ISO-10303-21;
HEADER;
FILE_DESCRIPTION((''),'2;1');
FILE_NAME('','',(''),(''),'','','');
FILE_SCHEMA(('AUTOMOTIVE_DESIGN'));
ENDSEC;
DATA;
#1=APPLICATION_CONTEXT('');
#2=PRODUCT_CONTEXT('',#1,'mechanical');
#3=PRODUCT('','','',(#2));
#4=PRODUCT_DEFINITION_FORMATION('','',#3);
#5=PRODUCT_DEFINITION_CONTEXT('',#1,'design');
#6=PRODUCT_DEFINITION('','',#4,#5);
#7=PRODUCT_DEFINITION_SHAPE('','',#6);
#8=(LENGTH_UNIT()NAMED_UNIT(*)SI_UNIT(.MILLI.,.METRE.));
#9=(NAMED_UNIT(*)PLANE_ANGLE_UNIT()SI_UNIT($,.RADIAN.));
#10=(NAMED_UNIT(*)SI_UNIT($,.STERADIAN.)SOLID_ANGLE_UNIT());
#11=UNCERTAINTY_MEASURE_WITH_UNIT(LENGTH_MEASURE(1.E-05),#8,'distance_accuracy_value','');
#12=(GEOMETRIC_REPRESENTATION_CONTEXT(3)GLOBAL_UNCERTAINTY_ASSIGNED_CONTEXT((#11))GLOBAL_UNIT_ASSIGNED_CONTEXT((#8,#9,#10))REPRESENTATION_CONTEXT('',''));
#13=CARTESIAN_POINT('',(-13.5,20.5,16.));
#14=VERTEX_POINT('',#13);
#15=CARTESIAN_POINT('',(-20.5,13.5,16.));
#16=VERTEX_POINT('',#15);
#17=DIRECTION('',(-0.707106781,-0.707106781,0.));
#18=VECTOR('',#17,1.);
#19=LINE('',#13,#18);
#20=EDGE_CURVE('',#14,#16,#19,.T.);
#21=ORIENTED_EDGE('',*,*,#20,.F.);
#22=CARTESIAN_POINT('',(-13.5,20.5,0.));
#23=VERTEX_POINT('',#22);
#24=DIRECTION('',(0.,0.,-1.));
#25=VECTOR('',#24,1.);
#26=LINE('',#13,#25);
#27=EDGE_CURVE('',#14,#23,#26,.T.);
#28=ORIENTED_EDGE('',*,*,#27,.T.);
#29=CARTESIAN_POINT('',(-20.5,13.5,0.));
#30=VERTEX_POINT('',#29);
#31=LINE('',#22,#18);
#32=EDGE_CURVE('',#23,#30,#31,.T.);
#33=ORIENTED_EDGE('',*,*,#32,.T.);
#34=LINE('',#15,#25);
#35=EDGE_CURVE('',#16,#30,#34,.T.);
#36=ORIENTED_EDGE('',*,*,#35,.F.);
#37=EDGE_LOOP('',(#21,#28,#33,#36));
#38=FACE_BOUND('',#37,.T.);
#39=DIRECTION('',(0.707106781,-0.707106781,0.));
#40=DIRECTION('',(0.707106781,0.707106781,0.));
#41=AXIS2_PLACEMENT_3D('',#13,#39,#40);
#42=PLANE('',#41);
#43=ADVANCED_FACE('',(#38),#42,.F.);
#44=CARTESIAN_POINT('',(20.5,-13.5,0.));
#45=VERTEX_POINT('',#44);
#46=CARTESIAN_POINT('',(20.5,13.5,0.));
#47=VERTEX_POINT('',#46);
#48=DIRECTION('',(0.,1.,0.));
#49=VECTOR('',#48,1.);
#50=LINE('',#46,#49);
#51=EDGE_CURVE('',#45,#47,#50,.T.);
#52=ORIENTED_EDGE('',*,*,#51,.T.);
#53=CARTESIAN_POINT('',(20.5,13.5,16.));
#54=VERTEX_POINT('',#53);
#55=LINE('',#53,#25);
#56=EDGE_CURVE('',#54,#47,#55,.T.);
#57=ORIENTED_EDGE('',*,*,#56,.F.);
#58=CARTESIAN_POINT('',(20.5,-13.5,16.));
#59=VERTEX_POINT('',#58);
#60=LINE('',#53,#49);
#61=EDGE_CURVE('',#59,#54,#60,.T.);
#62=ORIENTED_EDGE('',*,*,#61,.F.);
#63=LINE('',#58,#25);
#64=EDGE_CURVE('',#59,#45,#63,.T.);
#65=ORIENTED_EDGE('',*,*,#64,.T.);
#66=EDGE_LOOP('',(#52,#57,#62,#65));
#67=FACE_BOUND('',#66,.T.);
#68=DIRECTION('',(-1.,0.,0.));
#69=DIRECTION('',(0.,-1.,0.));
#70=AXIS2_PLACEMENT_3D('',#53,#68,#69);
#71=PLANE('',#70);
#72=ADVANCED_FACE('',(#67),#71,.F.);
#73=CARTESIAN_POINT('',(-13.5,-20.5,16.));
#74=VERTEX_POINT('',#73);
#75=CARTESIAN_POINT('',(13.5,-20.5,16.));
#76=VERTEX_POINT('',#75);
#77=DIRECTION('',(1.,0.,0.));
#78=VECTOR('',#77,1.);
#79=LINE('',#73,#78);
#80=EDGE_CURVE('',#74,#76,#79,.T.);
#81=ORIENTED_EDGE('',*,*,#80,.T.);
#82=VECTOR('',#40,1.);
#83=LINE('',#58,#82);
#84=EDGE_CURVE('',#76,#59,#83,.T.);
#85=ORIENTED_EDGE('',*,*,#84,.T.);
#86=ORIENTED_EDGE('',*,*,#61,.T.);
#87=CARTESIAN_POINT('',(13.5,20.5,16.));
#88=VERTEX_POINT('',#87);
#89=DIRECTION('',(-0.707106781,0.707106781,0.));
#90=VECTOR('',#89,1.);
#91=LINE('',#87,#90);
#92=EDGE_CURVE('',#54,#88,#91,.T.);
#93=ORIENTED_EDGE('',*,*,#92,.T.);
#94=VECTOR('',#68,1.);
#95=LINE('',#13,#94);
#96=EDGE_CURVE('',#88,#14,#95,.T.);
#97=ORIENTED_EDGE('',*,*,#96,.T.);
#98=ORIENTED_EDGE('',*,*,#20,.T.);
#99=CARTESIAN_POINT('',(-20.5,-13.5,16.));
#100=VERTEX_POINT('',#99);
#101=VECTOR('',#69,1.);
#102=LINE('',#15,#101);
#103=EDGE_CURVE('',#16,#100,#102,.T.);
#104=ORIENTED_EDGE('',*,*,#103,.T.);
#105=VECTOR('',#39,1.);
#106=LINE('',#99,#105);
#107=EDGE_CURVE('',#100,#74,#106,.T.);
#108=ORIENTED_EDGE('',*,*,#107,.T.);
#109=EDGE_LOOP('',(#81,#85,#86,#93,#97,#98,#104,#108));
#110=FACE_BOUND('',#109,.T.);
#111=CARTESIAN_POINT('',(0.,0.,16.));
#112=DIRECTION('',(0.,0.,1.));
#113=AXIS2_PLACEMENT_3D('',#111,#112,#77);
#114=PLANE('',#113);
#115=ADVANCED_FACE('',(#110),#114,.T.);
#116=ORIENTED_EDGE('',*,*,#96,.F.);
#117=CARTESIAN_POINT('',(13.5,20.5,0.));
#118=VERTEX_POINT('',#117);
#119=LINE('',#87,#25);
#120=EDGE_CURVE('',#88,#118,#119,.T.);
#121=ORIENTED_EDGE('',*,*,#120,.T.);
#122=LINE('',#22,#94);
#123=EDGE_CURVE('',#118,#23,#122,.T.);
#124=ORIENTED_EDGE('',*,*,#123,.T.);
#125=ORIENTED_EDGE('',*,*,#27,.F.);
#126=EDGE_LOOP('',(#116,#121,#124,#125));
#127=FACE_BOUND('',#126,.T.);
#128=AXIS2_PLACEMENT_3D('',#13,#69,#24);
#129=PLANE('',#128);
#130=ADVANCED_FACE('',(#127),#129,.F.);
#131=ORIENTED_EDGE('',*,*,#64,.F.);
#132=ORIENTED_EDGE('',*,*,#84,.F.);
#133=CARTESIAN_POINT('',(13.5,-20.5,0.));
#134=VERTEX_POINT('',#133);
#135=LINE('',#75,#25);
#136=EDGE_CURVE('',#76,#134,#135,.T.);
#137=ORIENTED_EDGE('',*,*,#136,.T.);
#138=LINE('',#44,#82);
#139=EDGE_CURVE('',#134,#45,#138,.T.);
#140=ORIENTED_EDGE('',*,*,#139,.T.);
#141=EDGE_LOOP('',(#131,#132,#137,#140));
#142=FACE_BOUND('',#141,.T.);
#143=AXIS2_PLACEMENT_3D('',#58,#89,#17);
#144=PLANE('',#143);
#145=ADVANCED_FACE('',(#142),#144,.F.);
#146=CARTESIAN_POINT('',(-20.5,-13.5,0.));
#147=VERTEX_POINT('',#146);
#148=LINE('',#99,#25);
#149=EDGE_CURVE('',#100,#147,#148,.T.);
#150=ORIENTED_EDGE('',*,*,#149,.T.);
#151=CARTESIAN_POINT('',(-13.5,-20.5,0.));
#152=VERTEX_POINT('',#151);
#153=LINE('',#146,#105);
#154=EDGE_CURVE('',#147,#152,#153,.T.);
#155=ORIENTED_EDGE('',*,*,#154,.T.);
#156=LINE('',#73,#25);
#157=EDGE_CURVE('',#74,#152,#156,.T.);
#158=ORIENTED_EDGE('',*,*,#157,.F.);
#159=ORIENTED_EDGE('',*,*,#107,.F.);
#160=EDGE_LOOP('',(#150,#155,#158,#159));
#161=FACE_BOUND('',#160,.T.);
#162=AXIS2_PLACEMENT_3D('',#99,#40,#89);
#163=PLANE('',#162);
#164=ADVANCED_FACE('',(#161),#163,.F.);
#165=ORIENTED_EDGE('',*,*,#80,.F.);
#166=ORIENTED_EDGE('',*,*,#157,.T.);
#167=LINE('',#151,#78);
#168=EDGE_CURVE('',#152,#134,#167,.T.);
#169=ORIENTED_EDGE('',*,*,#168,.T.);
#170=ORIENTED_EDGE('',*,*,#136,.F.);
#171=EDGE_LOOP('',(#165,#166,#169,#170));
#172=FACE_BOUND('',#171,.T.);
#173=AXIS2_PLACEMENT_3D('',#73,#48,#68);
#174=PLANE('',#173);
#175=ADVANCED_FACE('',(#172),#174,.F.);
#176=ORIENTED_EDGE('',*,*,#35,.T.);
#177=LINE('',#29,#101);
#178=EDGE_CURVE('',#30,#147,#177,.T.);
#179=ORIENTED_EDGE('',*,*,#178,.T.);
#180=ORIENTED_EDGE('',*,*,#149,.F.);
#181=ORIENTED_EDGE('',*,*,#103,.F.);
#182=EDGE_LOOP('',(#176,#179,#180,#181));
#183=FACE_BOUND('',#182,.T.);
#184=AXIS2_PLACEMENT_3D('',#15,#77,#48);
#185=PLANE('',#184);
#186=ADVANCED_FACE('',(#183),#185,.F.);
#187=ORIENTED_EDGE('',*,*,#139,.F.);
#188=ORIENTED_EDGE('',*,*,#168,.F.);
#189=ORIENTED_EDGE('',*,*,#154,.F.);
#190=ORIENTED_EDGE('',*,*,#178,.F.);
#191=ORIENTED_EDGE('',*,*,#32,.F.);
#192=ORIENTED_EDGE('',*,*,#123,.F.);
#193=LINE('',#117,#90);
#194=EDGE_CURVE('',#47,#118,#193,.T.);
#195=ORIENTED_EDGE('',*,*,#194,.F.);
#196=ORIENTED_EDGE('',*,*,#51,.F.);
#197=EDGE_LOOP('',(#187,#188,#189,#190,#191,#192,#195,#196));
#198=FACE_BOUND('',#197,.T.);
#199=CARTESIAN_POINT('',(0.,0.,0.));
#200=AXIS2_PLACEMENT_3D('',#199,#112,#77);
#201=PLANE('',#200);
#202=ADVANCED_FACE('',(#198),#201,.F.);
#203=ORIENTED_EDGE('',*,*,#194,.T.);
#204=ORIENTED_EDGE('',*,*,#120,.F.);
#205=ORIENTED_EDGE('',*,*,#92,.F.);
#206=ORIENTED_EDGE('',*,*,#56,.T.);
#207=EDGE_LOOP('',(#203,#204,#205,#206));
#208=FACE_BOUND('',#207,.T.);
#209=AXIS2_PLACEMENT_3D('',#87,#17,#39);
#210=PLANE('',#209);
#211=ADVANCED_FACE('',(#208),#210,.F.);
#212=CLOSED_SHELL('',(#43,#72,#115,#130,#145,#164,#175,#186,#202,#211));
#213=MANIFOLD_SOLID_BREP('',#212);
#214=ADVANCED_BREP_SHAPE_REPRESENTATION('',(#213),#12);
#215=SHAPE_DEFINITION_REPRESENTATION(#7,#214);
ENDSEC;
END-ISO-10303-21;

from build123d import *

# Parameters (mm, degrees)
SALIENTE_EXTRUIR1_DEPTH = 16


with BuildPart() as part:
    # Croquis1 → Saliente-Extruir1 (new body)
    with BuildSketch(Plane.XY):
        Polygon((-13.5, 20.5), (-20.5, 13.5), (-20.5, -13.5), (-13.5, -20.5), (13.5, -20.5), (20.5, -13.5), (20.5, 13.5), (13.5, 20.5), align=None)
    extrude(amount=SALIENTE_EXTRUIR1_DEPTH)


solid = part.part
